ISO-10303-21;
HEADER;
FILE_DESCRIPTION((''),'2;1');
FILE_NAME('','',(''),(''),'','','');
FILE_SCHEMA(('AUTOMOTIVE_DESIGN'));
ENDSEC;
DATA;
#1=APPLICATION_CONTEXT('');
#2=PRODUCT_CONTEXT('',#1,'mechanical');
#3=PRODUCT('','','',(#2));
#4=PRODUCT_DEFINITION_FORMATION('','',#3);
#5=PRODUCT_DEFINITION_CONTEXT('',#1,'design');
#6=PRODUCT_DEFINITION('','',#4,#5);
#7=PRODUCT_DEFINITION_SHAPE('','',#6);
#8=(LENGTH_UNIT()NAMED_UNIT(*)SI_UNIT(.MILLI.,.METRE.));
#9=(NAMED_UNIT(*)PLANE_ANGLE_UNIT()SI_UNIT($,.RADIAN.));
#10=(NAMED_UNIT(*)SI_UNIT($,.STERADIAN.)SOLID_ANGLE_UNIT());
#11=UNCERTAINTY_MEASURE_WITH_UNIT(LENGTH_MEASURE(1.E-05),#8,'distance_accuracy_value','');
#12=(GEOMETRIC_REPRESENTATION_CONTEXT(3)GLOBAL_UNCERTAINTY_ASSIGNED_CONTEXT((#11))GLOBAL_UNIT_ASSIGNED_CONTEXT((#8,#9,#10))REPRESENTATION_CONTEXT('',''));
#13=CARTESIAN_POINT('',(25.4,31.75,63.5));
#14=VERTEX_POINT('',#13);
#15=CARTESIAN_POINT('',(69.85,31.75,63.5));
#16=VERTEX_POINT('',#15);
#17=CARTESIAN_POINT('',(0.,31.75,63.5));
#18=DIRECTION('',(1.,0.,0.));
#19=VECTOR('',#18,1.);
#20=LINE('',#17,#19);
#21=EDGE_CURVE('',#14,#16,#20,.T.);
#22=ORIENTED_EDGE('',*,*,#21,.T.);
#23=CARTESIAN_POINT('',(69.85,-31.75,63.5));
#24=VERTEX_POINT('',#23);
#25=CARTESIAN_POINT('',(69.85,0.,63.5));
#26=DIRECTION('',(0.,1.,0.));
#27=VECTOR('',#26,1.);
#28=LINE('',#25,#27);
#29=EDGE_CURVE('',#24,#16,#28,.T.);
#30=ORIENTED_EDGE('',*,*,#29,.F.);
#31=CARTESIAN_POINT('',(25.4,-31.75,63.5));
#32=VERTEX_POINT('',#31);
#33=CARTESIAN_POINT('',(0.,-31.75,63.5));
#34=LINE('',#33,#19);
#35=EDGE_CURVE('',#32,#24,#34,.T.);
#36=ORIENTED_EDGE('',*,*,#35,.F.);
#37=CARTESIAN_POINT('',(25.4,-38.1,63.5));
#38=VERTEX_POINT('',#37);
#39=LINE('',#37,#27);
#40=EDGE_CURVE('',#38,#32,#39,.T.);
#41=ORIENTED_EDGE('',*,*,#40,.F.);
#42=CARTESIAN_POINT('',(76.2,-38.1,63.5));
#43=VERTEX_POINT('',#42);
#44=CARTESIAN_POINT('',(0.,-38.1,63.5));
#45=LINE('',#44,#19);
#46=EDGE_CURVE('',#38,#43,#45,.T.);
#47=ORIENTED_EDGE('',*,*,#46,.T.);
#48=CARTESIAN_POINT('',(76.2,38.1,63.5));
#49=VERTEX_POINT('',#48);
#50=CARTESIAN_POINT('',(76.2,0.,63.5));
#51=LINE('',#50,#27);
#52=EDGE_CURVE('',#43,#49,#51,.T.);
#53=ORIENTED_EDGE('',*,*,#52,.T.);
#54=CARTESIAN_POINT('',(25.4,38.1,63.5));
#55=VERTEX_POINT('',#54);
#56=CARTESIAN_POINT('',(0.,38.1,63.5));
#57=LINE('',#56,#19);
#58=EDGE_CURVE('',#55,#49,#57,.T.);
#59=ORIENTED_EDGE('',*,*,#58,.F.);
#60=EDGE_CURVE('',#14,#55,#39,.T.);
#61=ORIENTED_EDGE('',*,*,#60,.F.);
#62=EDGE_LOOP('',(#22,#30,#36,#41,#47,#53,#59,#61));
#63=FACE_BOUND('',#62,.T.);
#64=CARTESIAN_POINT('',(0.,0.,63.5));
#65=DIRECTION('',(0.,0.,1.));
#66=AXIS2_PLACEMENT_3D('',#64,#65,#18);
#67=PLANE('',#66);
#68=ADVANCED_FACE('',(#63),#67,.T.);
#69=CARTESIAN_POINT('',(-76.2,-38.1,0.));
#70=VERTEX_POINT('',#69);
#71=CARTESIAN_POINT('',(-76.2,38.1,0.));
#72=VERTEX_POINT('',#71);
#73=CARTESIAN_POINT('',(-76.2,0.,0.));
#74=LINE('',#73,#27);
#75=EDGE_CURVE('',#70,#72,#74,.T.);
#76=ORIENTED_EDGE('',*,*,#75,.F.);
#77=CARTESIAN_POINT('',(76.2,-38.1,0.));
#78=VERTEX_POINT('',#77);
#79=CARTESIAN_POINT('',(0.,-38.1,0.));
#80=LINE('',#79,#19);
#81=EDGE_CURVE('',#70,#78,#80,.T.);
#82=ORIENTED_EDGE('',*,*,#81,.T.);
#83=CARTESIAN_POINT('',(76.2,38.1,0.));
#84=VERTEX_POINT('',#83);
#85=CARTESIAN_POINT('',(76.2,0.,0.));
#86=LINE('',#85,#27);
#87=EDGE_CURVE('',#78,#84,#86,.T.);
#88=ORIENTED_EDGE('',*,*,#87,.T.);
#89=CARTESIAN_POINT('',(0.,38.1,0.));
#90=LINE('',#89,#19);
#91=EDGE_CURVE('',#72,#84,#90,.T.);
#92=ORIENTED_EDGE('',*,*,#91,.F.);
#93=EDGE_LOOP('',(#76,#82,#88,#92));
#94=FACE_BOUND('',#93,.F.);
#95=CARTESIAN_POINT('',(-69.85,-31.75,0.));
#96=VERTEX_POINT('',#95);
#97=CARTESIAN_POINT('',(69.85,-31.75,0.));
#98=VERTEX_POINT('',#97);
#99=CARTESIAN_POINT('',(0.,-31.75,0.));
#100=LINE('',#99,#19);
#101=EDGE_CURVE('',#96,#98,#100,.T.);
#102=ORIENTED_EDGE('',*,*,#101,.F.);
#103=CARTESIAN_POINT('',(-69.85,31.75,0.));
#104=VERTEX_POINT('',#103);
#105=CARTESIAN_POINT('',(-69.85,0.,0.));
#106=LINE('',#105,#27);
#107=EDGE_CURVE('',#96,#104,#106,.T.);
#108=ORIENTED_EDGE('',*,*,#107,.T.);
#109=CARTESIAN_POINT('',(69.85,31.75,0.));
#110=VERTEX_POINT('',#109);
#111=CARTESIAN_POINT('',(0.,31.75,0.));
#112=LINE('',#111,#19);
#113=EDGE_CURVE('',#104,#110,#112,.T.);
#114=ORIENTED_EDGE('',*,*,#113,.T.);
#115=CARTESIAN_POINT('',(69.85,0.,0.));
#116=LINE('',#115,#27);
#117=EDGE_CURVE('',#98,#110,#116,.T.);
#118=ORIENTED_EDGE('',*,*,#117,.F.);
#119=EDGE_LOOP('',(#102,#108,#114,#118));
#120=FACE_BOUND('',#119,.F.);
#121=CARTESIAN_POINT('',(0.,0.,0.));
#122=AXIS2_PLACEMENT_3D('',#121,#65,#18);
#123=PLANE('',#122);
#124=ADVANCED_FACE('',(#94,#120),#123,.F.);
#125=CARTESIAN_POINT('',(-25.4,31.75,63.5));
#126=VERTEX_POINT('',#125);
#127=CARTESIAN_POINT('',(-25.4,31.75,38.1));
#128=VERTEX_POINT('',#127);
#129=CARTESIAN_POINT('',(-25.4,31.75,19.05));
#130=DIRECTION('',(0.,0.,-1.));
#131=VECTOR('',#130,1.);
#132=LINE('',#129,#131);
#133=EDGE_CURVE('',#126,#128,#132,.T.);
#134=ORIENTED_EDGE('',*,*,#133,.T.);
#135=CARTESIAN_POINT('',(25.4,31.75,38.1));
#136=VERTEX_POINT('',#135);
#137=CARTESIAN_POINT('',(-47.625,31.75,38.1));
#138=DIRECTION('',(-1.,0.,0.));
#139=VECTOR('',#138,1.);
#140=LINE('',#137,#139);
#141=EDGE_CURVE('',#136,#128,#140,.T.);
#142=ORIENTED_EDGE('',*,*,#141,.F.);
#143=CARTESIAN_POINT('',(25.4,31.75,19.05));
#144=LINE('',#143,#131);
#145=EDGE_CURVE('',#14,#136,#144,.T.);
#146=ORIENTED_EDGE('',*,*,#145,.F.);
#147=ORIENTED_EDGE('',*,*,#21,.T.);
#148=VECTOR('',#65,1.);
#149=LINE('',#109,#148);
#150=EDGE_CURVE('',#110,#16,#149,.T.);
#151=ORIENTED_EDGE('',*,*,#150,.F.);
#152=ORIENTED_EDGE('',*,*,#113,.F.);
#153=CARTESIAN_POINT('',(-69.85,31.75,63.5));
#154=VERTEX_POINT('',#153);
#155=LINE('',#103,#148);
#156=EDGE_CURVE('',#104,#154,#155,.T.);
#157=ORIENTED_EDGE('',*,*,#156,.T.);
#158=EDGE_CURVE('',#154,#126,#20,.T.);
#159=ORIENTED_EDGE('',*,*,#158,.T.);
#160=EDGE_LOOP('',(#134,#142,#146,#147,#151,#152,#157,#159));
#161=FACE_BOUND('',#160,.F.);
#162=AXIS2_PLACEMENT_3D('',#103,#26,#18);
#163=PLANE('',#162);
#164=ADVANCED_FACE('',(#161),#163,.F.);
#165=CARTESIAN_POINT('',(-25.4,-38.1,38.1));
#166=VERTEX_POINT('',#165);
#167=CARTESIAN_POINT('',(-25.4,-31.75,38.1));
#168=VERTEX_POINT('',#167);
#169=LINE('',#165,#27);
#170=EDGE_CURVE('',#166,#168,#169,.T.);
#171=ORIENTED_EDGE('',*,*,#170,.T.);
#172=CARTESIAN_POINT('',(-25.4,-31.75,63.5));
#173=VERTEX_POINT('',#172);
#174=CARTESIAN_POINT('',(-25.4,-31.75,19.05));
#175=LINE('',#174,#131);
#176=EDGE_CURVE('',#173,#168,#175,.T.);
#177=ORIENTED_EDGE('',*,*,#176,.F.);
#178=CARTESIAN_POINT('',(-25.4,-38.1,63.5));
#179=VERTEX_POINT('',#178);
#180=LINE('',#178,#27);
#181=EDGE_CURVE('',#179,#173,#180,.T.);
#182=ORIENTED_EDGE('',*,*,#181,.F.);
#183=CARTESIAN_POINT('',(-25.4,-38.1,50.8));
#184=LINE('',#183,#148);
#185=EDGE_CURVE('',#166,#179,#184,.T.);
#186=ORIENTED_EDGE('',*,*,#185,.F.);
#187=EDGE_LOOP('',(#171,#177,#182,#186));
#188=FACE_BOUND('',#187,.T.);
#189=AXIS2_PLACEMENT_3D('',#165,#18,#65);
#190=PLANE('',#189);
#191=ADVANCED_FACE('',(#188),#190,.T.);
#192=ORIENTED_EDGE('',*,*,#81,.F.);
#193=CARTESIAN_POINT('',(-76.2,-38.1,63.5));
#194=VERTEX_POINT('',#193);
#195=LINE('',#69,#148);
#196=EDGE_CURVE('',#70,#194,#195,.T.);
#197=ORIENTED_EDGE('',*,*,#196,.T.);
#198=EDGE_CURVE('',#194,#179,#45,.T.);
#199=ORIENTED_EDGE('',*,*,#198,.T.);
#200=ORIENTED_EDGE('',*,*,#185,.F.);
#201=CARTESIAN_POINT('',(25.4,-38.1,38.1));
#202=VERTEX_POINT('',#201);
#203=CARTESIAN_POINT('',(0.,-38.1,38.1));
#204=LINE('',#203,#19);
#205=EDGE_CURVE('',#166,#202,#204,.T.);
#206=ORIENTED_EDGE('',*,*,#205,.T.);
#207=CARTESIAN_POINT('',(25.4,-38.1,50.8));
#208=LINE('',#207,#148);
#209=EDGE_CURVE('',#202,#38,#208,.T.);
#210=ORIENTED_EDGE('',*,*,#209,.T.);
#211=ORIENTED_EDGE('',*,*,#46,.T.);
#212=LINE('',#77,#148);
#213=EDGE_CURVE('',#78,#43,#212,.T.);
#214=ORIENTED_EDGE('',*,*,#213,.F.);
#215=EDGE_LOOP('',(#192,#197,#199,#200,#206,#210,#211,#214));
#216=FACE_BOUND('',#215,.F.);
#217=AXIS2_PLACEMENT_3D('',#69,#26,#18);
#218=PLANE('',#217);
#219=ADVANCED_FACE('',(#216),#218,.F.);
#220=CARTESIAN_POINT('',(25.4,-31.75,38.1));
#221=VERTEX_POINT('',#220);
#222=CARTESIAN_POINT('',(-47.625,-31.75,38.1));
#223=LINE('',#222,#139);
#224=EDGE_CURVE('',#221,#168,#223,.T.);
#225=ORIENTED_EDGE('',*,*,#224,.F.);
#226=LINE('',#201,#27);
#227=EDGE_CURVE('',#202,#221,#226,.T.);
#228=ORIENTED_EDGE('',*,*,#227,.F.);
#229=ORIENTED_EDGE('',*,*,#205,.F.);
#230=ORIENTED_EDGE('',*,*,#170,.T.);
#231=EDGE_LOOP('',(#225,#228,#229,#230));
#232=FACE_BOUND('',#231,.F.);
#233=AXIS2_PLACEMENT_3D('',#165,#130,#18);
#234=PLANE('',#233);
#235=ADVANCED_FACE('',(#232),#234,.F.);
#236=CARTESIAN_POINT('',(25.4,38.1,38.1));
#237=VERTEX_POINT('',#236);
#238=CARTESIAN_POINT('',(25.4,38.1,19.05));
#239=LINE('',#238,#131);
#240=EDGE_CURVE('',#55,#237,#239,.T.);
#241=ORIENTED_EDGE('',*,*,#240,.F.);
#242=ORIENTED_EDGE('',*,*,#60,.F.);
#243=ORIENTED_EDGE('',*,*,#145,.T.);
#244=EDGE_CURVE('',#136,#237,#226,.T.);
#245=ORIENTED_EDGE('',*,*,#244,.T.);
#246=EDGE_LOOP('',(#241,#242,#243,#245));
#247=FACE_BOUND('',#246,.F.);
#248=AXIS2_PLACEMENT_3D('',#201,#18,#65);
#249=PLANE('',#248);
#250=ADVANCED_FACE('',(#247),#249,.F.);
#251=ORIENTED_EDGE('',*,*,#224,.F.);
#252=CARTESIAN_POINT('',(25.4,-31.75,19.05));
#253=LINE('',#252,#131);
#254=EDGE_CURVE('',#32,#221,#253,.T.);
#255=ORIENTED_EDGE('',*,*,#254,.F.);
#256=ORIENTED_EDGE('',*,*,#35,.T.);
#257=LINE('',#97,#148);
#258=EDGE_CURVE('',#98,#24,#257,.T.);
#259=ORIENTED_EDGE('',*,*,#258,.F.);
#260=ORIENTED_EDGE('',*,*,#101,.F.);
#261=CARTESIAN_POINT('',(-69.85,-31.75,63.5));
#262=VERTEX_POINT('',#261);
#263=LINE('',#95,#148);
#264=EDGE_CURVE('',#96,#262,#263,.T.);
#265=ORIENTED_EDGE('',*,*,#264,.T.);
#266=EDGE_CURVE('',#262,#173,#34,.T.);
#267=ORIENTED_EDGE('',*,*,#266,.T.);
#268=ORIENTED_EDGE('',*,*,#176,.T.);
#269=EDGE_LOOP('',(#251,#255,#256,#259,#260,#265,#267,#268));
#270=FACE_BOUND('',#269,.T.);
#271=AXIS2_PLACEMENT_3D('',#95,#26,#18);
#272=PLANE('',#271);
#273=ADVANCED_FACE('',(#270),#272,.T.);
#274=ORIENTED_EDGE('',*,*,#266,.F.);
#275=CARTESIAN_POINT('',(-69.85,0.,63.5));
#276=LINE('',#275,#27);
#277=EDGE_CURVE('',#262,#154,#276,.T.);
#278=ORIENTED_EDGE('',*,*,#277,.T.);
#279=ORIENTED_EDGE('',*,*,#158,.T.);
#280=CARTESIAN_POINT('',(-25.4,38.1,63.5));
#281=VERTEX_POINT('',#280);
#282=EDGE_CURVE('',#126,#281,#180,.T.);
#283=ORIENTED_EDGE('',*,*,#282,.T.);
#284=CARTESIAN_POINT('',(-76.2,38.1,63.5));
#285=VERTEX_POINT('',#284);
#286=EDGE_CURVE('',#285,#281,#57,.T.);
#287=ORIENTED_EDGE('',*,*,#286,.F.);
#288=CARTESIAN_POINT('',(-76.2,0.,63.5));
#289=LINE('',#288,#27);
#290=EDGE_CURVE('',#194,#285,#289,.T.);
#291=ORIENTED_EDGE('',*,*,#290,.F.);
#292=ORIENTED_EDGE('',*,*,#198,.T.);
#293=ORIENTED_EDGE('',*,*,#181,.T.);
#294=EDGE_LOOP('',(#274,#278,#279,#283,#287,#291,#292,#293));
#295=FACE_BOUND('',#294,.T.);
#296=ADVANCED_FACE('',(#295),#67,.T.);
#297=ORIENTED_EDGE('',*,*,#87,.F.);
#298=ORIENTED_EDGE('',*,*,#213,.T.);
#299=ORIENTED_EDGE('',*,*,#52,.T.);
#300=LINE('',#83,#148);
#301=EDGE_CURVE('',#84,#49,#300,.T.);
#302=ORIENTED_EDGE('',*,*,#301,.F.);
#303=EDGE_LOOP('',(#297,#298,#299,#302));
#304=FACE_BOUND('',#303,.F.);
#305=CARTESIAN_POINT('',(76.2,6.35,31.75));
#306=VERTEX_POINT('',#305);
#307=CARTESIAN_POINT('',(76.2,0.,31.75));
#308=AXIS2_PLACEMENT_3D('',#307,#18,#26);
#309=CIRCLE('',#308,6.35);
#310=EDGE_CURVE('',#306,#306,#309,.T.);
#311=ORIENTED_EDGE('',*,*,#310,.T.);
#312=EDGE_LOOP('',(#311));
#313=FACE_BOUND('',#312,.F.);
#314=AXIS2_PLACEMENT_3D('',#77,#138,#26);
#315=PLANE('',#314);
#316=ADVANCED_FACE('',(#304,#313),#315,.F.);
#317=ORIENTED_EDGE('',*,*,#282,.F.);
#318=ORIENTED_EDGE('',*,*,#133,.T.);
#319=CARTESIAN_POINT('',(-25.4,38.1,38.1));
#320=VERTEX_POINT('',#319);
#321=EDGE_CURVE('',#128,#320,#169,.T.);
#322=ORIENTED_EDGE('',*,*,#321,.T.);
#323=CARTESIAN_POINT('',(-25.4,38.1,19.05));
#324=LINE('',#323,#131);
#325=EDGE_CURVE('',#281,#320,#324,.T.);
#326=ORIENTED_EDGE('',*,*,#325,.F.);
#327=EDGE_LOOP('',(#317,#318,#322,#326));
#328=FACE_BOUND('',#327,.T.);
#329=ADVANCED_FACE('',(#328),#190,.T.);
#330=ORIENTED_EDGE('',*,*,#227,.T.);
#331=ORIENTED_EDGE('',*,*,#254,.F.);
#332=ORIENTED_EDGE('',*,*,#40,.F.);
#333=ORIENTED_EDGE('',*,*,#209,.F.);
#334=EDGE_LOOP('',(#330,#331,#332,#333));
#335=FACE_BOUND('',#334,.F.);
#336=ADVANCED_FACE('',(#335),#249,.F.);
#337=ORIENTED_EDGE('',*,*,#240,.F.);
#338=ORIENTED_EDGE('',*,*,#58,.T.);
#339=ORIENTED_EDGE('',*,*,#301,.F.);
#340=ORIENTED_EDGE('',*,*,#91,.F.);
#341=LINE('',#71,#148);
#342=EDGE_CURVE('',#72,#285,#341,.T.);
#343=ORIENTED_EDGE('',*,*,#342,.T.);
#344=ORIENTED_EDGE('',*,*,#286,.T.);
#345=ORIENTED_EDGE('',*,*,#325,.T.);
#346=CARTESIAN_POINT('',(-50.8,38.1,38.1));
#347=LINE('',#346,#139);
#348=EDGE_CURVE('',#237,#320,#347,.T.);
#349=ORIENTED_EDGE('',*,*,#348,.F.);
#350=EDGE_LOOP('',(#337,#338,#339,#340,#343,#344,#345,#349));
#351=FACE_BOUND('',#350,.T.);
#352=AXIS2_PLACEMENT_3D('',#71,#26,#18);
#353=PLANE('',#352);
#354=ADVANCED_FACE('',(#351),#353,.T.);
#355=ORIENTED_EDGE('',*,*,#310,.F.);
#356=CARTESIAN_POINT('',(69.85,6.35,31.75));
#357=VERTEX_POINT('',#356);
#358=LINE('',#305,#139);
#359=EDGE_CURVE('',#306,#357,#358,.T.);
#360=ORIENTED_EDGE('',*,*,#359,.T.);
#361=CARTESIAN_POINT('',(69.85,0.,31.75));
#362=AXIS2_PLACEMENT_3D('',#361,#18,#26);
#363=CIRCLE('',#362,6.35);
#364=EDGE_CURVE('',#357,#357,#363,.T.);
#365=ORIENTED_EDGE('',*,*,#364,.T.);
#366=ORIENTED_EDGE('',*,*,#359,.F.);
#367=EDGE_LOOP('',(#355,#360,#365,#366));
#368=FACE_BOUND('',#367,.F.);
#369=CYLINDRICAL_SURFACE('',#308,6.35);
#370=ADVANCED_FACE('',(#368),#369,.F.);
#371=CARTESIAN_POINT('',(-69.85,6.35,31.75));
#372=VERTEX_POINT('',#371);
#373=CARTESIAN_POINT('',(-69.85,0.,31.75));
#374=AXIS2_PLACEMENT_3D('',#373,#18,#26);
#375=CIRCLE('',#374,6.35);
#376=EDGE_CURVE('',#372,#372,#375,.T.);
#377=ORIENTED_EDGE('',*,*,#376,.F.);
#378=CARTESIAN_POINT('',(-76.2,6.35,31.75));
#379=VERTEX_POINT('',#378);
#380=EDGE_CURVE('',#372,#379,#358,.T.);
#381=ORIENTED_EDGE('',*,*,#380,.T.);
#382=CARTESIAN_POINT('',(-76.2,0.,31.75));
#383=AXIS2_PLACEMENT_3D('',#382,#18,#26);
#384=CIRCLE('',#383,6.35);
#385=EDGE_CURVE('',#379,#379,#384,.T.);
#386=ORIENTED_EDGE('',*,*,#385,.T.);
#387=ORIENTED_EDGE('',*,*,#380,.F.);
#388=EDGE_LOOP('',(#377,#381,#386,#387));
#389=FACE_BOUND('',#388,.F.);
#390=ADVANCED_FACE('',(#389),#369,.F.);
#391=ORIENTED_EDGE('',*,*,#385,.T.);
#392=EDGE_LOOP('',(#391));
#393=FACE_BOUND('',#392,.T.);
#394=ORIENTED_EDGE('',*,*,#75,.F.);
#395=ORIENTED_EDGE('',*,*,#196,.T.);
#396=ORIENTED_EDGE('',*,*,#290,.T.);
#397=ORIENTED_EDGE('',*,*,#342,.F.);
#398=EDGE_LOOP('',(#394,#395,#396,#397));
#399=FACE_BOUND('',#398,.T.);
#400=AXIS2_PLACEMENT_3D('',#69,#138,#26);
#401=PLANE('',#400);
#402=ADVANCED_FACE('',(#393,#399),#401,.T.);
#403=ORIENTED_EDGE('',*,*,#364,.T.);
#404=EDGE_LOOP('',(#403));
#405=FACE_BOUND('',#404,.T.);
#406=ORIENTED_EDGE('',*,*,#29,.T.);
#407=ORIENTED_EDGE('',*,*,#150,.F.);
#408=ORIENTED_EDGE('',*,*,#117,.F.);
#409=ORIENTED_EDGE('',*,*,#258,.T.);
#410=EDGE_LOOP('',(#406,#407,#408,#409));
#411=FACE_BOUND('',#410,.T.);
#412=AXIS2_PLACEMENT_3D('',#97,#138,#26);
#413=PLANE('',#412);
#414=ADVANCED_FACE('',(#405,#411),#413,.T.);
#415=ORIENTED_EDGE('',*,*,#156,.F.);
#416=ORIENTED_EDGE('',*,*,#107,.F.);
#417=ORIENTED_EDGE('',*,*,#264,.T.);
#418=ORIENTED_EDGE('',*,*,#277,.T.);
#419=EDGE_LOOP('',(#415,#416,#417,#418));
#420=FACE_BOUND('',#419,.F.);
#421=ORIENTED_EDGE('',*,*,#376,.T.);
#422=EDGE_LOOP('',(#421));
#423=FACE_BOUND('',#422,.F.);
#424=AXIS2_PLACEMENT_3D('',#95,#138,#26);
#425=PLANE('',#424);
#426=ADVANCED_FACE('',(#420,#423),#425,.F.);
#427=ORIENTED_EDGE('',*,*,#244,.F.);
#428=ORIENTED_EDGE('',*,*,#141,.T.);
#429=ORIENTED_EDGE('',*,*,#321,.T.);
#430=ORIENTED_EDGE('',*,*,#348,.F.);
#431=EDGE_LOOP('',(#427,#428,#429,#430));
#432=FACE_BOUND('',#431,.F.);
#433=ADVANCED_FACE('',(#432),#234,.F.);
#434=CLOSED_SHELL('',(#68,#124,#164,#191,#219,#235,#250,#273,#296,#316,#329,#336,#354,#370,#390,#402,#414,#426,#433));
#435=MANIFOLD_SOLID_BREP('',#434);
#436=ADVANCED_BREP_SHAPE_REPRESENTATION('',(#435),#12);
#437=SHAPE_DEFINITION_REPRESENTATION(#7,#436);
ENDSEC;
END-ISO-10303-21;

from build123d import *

# Parameters (mm, degrees)
F0_W     = 152.4
F0_H     = 76.2
F0_W_2   = 139.7
F0_H_2   = 63.5
F1_DEPTH = 63.5
F2_W     = 50.8
F2_H     = 25.4
F3_DEPTH = 81.026
F4_R     = 6.35
F5_DEPTH = 156.972


with BuildPart() as f1:
    # F0 (on Top) → F1 (new body)
    with BuildSketch(Plane.XY):
        Rectangle(F0_W, F0_H)
        Rectangle(F0_W_2, F0_H_2, mode=Mode.SUBTRACT)
    extrude(amount=F1_DEPTH)

    # F2 (on face) → F3 (cut)
    with BuildSketch(Plane.XZ.offset(38.1)):
        with Locations((0, 50.8)):
            Rectangle(F2_W, F2_H)
    extrude(amount=-F3_DEPTH, mode=Mode.SUBTRACT)

    # F4 (on face) → F5 (cut)
    with BuildSketch(Plane.YZ.offset(76.2)):
        with Locations((0, 31.75)):
            Circle(F4_R)
    extrude(amount=-F5_DEPTH, mode=Mode.SUBTRACT)


solid = f1.part
